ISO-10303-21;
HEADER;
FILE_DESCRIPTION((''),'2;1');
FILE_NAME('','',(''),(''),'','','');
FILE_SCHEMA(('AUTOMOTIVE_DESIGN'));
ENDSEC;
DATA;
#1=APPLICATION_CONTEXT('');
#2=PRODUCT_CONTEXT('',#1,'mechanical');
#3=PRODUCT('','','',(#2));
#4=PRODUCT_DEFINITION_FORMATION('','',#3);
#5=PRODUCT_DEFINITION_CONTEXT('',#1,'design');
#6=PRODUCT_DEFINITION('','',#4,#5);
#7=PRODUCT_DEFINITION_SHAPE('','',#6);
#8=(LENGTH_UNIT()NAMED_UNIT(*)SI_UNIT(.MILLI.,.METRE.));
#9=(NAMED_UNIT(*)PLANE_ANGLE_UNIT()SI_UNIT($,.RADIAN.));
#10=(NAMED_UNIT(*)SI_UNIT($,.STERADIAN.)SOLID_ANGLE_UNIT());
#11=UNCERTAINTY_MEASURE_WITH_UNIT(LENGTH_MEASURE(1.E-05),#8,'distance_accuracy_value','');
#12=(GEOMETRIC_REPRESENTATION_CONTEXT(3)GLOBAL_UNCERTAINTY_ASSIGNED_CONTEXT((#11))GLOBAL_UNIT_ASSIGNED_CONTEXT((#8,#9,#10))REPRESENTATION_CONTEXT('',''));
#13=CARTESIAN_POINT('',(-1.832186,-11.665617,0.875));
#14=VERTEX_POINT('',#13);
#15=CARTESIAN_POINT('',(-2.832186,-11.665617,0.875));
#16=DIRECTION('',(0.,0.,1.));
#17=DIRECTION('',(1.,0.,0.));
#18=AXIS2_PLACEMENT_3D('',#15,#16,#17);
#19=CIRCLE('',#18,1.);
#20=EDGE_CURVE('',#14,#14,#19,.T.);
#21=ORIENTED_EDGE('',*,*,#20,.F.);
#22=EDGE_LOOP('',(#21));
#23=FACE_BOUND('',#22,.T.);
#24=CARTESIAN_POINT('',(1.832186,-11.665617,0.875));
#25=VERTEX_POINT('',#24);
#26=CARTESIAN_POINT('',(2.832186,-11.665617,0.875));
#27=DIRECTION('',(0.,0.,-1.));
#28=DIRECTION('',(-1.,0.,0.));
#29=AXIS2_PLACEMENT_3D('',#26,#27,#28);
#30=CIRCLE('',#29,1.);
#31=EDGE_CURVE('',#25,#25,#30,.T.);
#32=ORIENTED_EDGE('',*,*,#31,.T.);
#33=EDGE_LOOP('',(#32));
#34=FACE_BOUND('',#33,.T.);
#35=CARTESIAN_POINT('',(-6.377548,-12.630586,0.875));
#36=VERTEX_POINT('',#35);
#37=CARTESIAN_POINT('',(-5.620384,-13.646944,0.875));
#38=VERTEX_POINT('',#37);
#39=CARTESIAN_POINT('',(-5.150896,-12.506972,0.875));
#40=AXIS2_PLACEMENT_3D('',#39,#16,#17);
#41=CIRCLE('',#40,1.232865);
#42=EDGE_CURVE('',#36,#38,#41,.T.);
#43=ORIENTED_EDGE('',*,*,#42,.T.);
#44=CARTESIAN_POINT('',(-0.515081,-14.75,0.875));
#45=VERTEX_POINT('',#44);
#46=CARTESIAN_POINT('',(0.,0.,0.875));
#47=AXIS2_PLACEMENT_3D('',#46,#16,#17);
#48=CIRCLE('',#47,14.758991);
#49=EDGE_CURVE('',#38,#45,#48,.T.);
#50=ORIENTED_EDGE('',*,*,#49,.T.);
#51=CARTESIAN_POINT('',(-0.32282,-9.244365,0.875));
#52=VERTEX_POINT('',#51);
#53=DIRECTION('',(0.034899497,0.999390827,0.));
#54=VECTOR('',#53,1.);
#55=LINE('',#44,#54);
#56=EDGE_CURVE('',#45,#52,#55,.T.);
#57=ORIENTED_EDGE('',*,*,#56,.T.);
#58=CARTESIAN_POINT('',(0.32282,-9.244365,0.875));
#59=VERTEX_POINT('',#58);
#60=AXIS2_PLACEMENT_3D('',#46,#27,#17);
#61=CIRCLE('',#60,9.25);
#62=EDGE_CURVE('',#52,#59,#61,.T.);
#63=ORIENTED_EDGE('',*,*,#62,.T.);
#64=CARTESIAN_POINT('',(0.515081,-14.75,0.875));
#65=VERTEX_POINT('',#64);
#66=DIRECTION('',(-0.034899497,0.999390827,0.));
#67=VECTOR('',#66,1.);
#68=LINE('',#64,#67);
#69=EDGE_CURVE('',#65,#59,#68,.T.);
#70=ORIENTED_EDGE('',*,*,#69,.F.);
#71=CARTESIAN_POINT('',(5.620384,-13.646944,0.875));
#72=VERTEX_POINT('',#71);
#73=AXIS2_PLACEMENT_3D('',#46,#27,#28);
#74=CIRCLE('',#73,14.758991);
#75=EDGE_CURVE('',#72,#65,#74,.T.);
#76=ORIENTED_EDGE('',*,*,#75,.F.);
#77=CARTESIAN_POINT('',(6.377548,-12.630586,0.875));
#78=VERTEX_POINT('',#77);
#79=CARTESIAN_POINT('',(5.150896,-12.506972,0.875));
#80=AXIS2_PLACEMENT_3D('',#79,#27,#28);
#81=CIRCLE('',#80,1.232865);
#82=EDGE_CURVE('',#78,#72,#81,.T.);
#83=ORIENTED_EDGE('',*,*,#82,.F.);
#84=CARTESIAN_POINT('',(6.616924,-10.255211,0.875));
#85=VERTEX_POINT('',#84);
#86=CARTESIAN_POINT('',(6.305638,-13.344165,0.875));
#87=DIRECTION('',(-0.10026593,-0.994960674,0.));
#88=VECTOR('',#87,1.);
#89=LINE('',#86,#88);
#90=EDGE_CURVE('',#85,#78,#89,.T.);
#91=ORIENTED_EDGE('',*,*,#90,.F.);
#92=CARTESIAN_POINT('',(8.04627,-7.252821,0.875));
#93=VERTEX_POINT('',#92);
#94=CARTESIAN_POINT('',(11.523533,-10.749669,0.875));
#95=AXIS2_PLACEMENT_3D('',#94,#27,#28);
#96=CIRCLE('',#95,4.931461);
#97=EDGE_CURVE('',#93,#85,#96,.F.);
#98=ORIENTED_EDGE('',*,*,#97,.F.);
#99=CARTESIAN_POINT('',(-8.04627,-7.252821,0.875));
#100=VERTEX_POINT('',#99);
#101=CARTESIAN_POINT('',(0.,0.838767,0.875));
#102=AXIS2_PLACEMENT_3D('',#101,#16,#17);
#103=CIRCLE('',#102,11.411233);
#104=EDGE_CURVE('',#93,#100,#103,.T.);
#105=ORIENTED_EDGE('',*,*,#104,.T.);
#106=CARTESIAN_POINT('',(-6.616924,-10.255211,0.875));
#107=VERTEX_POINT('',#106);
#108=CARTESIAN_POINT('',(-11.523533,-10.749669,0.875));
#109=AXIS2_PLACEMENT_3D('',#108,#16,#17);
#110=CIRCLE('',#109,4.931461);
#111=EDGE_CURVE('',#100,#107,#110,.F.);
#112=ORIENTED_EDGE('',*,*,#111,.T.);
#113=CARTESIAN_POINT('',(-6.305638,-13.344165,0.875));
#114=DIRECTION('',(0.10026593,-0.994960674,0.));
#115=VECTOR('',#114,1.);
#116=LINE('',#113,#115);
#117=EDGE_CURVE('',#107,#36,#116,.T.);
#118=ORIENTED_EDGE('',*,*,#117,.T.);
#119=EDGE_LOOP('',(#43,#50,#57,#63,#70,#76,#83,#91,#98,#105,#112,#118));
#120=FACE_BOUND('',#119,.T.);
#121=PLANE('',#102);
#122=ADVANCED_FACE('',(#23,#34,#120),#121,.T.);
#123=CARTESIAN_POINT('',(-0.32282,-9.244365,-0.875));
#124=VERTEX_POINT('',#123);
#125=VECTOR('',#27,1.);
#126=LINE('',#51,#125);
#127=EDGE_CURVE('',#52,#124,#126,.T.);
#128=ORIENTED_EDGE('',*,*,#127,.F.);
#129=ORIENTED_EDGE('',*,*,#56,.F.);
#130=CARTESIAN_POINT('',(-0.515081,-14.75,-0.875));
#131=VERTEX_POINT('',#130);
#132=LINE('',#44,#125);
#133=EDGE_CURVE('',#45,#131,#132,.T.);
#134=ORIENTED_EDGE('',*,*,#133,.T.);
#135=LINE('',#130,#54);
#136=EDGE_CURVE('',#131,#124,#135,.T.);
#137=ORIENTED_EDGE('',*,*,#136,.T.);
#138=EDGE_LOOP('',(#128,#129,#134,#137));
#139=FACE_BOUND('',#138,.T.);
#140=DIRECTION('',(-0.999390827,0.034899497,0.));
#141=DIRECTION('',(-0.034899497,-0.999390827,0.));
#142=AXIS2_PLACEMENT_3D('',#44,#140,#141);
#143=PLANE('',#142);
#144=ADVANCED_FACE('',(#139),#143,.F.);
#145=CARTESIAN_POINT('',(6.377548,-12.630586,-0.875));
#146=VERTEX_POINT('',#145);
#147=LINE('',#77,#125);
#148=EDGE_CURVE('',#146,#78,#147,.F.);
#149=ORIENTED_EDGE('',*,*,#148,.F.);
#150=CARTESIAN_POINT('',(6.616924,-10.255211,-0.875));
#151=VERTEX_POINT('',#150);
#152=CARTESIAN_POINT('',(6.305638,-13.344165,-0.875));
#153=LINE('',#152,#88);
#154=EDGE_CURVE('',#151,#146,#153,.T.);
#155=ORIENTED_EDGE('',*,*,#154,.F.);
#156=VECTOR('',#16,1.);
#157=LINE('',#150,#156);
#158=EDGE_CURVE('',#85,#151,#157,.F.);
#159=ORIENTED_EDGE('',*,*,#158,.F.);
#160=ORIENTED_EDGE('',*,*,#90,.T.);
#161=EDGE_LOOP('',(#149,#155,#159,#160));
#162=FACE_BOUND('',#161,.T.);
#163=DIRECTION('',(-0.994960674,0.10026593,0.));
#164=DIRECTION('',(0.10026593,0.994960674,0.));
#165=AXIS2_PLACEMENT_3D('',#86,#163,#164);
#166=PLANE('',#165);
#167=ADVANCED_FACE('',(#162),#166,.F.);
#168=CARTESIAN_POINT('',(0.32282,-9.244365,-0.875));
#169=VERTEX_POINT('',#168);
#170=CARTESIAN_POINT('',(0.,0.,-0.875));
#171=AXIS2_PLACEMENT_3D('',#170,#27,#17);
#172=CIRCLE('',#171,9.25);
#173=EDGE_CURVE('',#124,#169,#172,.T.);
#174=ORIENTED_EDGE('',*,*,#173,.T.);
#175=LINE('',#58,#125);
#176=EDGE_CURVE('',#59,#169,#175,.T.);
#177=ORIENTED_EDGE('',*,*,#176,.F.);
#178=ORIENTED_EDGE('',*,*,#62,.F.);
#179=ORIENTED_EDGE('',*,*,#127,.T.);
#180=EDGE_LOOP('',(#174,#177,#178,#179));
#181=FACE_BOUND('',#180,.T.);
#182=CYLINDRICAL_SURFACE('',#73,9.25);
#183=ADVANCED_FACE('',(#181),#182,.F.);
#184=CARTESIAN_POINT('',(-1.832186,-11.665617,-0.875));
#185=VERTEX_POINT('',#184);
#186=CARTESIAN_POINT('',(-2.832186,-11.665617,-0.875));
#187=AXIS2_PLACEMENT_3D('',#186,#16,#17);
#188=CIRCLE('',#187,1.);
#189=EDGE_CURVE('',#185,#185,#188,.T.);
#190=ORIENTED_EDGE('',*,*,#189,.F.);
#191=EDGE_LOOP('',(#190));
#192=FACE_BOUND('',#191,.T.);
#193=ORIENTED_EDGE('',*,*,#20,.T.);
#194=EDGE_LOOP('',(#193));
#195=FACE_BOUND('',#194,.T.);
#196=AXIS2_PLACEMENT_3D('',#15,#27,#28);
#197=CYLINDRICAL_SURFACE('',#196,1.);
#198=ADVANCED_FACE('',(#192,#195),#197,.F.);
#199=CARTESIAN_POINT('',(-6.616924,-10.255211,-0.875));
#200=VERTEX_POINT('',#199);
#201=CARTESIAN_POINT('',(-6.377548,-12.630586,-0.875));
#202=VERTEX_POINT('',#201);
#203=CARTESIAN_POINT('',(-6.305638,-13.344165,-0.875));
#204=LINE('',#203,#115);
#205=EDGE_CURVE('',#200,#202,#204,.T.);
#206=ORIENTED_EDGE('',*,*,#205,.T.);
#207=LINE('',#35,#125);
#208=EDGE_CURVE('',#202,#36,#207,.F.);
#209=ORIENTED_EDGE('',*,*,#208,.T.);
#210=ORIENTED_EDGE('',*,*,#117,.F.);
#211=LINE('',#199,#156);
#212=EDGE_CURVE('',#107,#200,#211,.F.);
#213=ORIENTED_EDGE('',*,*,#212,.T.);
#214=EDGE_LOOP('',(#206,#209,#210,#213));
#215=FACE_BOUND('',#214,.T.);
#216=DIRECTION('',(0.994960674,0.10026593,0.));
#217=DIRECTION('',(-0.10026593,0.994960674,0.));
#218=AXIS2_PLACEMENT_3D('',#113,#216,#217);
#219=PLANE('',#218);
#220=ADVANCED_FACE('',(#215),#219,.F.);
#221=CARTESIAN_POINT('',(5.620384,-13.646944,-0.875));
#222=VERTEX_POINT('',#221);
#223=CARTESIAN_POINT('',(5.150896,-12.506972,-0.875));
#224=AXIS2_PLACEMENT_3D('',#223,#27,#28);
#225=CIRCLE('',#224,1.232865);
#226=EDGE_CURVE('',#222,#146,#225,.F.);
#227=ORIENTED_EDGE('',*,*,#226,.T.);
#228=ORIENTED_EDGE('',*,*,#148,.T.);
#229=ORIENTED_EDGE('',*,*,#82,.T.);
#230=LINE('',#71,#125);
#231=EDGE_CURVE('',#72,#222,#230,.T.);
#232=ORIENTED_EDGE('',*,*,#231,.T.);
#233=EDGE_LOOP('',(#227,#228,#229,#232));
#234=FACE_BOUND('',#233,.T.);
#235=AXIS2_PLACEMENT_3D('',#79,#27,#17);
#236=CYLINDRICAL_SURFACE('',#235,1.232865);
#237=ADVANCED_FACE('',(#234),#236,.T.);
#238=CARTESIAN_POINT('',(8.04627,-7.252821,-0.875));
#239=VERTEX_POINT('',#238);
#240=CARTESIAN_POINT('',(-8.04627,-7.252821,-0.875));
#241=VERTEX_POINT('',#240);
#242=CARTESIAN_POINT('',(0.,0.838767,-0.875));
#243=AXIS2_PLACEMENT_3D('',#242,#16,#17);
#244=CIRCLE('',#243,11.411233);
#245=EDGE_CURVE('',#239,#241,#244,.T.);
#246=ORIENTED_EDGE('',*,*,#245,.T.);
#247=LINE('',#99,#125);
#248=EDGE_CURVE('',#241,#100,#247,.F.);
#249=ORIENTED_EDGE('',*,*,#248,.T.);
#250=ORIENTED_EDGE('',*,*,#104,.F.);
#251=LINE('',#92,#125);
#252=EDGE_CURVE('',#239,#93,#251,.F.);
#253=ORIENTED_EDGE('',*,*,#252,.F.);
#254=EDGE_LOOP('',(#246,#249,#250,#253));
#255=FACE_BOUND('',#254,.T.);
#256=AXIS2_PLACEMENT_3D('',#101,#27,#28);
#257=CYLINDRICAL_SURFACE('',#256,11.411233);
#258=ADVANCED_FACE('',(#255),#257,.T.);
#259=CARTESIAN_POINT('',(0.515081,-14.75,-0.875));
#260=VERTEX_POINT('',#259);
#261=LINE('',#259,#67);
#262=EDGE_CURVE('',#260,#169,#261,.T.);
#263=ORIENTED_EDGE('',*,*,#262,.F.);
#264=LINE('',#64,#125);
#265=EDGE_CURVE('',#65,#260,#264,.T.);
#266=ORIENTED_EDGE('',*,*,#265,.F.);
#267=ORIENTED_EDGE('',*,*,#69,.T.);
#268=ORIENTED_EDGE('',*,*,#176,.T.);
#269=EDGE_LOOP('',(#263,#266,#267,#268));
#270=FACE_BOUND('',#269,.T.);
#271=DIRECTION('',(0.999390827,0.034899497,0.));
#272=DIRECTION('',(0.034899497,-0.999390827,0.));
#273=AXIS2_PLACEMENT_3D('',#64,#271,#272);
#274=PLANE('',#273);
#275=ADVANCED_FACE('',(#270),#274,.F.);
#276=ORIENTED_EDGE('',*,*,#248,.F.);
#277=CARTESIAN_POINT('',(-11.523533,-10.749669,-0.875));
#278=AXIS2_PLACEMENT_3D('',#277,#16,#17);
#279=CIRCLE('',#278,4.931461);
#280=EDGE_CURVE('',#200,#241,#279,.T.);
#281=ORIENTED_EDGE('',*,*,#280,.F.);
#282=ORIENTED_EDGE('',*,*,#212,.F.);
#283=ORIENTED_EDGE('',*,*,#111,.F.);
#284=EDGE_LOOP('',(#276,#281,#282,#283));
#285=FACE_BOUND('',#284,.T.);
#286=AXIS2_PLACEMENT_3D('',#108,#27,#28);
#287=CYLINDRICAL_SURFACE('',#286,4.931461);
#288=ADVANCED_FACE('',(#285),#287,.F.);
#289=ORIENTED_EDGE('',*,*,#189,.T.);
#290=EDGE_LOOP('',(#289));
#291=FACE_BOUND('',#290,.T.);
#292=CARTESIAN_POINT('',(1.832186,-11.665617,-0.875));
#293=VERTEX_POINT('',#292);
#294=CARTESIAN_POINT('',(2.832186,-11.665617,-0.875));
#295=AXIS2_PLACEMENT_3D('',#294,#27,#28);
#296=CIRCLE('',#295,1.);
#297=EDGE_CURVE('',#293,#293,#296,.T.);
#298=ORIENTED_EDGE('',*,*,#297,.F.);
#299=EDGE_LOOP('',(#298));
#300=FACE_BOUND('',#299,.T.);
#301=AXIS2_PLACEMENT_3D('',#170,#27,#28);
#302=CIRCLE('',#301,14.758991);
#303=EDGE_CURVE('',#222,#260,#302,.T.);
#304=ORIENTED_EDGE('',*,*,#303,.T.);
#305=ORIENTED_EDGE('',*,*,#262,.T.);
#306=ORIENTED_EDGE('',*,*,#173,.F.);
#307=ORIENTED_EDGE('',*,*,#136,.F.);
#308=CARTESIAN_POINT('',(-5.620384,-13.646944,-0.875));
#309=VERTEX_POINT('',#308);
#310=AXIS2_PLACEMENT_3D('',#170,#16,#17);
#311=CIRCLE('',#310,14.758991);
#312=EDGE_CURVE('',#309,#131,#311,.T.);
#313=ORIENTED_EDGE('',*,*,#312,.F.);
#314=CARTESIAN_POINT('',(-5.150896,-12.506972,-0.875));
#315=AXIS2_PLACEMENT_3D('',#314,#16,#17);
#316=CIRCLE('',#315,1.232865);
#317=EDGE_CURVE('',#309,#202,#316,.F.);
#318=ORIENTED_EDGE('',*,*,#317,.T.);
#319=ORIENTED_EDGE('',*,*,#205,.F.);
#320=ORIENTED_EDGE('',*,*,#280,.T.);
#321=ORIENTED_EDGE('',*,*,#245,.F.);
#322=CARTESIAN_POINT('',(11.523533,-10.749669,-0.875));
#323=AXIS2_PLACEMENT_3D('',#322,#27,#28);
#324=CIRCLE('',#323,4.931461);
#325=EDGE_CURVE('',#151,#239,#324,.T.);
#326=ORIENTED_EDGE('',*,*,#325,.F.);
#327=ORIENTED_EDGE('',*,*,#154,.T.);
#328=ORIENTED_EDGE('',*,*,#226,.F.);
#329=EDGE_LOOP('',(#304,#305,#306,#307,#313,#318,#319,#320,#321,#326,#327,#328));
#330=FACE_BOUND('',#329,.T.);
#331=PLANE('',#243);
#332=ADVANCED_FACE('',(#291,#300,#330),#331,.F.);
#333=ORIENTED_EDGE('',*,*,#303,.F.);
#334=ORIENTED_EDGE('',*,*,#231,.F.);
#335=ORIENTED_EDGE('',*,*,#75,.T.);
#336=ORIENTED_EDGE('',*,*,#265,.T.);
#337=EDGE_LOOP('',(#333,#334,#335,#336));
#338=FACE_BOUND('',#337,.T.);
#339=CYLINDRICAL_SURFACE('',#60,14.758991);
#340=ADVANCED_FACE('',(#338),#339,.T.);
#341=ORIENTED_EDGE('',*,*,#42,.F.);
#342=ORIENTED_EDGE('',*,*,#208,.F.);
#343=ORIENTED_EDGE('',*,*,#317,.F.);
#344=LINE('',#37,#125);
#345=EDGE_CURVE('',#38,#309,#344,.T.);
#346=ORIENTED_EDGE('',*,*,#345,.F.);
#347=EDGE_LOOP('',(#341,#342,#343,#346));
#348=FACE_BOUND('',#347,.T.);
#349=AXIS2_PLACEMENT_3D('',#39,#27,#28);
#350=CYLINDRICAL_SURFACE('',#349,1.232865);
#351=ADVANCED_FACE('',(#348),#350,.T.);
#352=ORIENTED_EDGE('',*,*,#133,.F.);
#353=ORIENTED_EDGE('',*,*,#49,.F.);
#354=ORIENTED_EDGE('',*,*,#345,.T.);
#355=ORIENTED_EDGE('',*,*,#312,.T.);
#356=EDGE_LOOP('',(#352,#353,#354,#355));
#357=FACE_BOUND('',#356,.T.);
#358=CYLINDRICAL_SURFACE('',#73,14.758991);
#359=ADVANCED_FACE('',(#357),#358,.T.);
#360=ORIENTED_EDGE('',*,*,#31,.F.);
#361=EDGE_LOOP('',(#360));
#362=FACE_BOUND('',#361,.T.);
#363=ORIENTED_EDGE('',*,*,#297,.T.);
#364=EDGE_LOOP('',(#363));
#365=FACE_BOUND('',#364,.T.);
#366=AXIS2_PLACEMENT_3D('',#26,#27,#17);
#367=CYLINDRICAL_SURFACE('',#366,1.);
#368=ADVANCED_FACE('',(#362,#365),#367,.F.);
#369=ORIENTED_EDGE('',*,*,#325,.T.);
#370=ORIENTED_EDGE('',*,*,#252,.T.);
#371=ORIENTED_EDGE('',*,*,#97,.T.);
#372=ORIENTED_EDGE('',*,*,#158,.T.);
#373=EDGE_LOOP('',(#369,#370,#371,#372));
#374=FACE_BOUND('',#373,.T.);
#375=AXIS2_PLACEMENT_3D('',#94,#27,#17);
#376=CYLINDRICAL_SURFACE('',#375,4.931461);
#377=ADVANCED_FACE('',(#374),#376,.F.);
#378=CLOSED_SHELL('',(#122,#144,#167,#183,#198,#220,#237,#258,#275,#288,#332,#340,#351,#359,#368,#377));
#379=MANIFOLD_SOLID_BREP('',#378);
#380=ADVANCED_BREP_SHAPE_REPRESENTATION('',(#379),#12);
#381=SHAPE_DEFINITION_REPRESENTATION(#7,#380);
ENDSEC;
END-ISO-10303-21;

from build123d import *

# Parameters (mm, degrees)
SKETCH2_R           = 1
BOSS_EXTRUDE1_DEPTH = 0.875
FILLET1_R           = 4.931461029
FILLET2_R           = 1.232865257


with BuildPart() as part:
    # Sketch2 → Boss-Extrude1 (new, symmetric)
    with BuildSketch(Plane.XY):
        with BuildLine():
            Line((-6.305638026, -13.344164937), (-6.812354384, -8.315908113))
            ThreePointArc((-6.812354384, -8.315908113), (-10.832413729, 4.42694972), (0, 12.25))
            Line((0, 12.25), (0, 9.25))
            ThreePointArc((0, 9.25), (-9.24859118, 0.16143476), (-0.322820344, -9.24436515))
            Line((-0.322820344, -9.24436515), (-0.51508135, -14.75))
            ThreePointArc((-0.51508135, -14.75), (-3.482046275, -14.342355544), (-6.305638026, -13.344164937))
        make_face()
        with Locations((-2.832186094, -11.665617492)):
            Circle(SKETCH2_R, mode=Mode.SUBTRACT)
    extrude(amount=BOSS_EXTRUDE1_DEPTH, both=True)

    # Fillet1
    fillet1_edges = [part.edges().sort_by_distance(p)[0] for p in [
        (-6.812354384, -8.315908113, 0),
    ]]
    fillet(fillet1_edges, radius=FILLET1_R)

    # Fillet2
    fillet2_edges = [part.edges().sort_by_distance(p)[0] for p in [
        (-6.305638026, -13.344164937, 0),
    ]]
    fillet(fillet2_edges, radius=FILLET2_R)

    # Mirror1: part across plane


with BuildPart() as part_1:
    add(part.part)
    add(part.part.mirror(Plane(origin=(0, 12.25, 0.875), x_dir=(0, 0, 1), z_dir=(-1, 0, 0))))


solid = part_1.part
